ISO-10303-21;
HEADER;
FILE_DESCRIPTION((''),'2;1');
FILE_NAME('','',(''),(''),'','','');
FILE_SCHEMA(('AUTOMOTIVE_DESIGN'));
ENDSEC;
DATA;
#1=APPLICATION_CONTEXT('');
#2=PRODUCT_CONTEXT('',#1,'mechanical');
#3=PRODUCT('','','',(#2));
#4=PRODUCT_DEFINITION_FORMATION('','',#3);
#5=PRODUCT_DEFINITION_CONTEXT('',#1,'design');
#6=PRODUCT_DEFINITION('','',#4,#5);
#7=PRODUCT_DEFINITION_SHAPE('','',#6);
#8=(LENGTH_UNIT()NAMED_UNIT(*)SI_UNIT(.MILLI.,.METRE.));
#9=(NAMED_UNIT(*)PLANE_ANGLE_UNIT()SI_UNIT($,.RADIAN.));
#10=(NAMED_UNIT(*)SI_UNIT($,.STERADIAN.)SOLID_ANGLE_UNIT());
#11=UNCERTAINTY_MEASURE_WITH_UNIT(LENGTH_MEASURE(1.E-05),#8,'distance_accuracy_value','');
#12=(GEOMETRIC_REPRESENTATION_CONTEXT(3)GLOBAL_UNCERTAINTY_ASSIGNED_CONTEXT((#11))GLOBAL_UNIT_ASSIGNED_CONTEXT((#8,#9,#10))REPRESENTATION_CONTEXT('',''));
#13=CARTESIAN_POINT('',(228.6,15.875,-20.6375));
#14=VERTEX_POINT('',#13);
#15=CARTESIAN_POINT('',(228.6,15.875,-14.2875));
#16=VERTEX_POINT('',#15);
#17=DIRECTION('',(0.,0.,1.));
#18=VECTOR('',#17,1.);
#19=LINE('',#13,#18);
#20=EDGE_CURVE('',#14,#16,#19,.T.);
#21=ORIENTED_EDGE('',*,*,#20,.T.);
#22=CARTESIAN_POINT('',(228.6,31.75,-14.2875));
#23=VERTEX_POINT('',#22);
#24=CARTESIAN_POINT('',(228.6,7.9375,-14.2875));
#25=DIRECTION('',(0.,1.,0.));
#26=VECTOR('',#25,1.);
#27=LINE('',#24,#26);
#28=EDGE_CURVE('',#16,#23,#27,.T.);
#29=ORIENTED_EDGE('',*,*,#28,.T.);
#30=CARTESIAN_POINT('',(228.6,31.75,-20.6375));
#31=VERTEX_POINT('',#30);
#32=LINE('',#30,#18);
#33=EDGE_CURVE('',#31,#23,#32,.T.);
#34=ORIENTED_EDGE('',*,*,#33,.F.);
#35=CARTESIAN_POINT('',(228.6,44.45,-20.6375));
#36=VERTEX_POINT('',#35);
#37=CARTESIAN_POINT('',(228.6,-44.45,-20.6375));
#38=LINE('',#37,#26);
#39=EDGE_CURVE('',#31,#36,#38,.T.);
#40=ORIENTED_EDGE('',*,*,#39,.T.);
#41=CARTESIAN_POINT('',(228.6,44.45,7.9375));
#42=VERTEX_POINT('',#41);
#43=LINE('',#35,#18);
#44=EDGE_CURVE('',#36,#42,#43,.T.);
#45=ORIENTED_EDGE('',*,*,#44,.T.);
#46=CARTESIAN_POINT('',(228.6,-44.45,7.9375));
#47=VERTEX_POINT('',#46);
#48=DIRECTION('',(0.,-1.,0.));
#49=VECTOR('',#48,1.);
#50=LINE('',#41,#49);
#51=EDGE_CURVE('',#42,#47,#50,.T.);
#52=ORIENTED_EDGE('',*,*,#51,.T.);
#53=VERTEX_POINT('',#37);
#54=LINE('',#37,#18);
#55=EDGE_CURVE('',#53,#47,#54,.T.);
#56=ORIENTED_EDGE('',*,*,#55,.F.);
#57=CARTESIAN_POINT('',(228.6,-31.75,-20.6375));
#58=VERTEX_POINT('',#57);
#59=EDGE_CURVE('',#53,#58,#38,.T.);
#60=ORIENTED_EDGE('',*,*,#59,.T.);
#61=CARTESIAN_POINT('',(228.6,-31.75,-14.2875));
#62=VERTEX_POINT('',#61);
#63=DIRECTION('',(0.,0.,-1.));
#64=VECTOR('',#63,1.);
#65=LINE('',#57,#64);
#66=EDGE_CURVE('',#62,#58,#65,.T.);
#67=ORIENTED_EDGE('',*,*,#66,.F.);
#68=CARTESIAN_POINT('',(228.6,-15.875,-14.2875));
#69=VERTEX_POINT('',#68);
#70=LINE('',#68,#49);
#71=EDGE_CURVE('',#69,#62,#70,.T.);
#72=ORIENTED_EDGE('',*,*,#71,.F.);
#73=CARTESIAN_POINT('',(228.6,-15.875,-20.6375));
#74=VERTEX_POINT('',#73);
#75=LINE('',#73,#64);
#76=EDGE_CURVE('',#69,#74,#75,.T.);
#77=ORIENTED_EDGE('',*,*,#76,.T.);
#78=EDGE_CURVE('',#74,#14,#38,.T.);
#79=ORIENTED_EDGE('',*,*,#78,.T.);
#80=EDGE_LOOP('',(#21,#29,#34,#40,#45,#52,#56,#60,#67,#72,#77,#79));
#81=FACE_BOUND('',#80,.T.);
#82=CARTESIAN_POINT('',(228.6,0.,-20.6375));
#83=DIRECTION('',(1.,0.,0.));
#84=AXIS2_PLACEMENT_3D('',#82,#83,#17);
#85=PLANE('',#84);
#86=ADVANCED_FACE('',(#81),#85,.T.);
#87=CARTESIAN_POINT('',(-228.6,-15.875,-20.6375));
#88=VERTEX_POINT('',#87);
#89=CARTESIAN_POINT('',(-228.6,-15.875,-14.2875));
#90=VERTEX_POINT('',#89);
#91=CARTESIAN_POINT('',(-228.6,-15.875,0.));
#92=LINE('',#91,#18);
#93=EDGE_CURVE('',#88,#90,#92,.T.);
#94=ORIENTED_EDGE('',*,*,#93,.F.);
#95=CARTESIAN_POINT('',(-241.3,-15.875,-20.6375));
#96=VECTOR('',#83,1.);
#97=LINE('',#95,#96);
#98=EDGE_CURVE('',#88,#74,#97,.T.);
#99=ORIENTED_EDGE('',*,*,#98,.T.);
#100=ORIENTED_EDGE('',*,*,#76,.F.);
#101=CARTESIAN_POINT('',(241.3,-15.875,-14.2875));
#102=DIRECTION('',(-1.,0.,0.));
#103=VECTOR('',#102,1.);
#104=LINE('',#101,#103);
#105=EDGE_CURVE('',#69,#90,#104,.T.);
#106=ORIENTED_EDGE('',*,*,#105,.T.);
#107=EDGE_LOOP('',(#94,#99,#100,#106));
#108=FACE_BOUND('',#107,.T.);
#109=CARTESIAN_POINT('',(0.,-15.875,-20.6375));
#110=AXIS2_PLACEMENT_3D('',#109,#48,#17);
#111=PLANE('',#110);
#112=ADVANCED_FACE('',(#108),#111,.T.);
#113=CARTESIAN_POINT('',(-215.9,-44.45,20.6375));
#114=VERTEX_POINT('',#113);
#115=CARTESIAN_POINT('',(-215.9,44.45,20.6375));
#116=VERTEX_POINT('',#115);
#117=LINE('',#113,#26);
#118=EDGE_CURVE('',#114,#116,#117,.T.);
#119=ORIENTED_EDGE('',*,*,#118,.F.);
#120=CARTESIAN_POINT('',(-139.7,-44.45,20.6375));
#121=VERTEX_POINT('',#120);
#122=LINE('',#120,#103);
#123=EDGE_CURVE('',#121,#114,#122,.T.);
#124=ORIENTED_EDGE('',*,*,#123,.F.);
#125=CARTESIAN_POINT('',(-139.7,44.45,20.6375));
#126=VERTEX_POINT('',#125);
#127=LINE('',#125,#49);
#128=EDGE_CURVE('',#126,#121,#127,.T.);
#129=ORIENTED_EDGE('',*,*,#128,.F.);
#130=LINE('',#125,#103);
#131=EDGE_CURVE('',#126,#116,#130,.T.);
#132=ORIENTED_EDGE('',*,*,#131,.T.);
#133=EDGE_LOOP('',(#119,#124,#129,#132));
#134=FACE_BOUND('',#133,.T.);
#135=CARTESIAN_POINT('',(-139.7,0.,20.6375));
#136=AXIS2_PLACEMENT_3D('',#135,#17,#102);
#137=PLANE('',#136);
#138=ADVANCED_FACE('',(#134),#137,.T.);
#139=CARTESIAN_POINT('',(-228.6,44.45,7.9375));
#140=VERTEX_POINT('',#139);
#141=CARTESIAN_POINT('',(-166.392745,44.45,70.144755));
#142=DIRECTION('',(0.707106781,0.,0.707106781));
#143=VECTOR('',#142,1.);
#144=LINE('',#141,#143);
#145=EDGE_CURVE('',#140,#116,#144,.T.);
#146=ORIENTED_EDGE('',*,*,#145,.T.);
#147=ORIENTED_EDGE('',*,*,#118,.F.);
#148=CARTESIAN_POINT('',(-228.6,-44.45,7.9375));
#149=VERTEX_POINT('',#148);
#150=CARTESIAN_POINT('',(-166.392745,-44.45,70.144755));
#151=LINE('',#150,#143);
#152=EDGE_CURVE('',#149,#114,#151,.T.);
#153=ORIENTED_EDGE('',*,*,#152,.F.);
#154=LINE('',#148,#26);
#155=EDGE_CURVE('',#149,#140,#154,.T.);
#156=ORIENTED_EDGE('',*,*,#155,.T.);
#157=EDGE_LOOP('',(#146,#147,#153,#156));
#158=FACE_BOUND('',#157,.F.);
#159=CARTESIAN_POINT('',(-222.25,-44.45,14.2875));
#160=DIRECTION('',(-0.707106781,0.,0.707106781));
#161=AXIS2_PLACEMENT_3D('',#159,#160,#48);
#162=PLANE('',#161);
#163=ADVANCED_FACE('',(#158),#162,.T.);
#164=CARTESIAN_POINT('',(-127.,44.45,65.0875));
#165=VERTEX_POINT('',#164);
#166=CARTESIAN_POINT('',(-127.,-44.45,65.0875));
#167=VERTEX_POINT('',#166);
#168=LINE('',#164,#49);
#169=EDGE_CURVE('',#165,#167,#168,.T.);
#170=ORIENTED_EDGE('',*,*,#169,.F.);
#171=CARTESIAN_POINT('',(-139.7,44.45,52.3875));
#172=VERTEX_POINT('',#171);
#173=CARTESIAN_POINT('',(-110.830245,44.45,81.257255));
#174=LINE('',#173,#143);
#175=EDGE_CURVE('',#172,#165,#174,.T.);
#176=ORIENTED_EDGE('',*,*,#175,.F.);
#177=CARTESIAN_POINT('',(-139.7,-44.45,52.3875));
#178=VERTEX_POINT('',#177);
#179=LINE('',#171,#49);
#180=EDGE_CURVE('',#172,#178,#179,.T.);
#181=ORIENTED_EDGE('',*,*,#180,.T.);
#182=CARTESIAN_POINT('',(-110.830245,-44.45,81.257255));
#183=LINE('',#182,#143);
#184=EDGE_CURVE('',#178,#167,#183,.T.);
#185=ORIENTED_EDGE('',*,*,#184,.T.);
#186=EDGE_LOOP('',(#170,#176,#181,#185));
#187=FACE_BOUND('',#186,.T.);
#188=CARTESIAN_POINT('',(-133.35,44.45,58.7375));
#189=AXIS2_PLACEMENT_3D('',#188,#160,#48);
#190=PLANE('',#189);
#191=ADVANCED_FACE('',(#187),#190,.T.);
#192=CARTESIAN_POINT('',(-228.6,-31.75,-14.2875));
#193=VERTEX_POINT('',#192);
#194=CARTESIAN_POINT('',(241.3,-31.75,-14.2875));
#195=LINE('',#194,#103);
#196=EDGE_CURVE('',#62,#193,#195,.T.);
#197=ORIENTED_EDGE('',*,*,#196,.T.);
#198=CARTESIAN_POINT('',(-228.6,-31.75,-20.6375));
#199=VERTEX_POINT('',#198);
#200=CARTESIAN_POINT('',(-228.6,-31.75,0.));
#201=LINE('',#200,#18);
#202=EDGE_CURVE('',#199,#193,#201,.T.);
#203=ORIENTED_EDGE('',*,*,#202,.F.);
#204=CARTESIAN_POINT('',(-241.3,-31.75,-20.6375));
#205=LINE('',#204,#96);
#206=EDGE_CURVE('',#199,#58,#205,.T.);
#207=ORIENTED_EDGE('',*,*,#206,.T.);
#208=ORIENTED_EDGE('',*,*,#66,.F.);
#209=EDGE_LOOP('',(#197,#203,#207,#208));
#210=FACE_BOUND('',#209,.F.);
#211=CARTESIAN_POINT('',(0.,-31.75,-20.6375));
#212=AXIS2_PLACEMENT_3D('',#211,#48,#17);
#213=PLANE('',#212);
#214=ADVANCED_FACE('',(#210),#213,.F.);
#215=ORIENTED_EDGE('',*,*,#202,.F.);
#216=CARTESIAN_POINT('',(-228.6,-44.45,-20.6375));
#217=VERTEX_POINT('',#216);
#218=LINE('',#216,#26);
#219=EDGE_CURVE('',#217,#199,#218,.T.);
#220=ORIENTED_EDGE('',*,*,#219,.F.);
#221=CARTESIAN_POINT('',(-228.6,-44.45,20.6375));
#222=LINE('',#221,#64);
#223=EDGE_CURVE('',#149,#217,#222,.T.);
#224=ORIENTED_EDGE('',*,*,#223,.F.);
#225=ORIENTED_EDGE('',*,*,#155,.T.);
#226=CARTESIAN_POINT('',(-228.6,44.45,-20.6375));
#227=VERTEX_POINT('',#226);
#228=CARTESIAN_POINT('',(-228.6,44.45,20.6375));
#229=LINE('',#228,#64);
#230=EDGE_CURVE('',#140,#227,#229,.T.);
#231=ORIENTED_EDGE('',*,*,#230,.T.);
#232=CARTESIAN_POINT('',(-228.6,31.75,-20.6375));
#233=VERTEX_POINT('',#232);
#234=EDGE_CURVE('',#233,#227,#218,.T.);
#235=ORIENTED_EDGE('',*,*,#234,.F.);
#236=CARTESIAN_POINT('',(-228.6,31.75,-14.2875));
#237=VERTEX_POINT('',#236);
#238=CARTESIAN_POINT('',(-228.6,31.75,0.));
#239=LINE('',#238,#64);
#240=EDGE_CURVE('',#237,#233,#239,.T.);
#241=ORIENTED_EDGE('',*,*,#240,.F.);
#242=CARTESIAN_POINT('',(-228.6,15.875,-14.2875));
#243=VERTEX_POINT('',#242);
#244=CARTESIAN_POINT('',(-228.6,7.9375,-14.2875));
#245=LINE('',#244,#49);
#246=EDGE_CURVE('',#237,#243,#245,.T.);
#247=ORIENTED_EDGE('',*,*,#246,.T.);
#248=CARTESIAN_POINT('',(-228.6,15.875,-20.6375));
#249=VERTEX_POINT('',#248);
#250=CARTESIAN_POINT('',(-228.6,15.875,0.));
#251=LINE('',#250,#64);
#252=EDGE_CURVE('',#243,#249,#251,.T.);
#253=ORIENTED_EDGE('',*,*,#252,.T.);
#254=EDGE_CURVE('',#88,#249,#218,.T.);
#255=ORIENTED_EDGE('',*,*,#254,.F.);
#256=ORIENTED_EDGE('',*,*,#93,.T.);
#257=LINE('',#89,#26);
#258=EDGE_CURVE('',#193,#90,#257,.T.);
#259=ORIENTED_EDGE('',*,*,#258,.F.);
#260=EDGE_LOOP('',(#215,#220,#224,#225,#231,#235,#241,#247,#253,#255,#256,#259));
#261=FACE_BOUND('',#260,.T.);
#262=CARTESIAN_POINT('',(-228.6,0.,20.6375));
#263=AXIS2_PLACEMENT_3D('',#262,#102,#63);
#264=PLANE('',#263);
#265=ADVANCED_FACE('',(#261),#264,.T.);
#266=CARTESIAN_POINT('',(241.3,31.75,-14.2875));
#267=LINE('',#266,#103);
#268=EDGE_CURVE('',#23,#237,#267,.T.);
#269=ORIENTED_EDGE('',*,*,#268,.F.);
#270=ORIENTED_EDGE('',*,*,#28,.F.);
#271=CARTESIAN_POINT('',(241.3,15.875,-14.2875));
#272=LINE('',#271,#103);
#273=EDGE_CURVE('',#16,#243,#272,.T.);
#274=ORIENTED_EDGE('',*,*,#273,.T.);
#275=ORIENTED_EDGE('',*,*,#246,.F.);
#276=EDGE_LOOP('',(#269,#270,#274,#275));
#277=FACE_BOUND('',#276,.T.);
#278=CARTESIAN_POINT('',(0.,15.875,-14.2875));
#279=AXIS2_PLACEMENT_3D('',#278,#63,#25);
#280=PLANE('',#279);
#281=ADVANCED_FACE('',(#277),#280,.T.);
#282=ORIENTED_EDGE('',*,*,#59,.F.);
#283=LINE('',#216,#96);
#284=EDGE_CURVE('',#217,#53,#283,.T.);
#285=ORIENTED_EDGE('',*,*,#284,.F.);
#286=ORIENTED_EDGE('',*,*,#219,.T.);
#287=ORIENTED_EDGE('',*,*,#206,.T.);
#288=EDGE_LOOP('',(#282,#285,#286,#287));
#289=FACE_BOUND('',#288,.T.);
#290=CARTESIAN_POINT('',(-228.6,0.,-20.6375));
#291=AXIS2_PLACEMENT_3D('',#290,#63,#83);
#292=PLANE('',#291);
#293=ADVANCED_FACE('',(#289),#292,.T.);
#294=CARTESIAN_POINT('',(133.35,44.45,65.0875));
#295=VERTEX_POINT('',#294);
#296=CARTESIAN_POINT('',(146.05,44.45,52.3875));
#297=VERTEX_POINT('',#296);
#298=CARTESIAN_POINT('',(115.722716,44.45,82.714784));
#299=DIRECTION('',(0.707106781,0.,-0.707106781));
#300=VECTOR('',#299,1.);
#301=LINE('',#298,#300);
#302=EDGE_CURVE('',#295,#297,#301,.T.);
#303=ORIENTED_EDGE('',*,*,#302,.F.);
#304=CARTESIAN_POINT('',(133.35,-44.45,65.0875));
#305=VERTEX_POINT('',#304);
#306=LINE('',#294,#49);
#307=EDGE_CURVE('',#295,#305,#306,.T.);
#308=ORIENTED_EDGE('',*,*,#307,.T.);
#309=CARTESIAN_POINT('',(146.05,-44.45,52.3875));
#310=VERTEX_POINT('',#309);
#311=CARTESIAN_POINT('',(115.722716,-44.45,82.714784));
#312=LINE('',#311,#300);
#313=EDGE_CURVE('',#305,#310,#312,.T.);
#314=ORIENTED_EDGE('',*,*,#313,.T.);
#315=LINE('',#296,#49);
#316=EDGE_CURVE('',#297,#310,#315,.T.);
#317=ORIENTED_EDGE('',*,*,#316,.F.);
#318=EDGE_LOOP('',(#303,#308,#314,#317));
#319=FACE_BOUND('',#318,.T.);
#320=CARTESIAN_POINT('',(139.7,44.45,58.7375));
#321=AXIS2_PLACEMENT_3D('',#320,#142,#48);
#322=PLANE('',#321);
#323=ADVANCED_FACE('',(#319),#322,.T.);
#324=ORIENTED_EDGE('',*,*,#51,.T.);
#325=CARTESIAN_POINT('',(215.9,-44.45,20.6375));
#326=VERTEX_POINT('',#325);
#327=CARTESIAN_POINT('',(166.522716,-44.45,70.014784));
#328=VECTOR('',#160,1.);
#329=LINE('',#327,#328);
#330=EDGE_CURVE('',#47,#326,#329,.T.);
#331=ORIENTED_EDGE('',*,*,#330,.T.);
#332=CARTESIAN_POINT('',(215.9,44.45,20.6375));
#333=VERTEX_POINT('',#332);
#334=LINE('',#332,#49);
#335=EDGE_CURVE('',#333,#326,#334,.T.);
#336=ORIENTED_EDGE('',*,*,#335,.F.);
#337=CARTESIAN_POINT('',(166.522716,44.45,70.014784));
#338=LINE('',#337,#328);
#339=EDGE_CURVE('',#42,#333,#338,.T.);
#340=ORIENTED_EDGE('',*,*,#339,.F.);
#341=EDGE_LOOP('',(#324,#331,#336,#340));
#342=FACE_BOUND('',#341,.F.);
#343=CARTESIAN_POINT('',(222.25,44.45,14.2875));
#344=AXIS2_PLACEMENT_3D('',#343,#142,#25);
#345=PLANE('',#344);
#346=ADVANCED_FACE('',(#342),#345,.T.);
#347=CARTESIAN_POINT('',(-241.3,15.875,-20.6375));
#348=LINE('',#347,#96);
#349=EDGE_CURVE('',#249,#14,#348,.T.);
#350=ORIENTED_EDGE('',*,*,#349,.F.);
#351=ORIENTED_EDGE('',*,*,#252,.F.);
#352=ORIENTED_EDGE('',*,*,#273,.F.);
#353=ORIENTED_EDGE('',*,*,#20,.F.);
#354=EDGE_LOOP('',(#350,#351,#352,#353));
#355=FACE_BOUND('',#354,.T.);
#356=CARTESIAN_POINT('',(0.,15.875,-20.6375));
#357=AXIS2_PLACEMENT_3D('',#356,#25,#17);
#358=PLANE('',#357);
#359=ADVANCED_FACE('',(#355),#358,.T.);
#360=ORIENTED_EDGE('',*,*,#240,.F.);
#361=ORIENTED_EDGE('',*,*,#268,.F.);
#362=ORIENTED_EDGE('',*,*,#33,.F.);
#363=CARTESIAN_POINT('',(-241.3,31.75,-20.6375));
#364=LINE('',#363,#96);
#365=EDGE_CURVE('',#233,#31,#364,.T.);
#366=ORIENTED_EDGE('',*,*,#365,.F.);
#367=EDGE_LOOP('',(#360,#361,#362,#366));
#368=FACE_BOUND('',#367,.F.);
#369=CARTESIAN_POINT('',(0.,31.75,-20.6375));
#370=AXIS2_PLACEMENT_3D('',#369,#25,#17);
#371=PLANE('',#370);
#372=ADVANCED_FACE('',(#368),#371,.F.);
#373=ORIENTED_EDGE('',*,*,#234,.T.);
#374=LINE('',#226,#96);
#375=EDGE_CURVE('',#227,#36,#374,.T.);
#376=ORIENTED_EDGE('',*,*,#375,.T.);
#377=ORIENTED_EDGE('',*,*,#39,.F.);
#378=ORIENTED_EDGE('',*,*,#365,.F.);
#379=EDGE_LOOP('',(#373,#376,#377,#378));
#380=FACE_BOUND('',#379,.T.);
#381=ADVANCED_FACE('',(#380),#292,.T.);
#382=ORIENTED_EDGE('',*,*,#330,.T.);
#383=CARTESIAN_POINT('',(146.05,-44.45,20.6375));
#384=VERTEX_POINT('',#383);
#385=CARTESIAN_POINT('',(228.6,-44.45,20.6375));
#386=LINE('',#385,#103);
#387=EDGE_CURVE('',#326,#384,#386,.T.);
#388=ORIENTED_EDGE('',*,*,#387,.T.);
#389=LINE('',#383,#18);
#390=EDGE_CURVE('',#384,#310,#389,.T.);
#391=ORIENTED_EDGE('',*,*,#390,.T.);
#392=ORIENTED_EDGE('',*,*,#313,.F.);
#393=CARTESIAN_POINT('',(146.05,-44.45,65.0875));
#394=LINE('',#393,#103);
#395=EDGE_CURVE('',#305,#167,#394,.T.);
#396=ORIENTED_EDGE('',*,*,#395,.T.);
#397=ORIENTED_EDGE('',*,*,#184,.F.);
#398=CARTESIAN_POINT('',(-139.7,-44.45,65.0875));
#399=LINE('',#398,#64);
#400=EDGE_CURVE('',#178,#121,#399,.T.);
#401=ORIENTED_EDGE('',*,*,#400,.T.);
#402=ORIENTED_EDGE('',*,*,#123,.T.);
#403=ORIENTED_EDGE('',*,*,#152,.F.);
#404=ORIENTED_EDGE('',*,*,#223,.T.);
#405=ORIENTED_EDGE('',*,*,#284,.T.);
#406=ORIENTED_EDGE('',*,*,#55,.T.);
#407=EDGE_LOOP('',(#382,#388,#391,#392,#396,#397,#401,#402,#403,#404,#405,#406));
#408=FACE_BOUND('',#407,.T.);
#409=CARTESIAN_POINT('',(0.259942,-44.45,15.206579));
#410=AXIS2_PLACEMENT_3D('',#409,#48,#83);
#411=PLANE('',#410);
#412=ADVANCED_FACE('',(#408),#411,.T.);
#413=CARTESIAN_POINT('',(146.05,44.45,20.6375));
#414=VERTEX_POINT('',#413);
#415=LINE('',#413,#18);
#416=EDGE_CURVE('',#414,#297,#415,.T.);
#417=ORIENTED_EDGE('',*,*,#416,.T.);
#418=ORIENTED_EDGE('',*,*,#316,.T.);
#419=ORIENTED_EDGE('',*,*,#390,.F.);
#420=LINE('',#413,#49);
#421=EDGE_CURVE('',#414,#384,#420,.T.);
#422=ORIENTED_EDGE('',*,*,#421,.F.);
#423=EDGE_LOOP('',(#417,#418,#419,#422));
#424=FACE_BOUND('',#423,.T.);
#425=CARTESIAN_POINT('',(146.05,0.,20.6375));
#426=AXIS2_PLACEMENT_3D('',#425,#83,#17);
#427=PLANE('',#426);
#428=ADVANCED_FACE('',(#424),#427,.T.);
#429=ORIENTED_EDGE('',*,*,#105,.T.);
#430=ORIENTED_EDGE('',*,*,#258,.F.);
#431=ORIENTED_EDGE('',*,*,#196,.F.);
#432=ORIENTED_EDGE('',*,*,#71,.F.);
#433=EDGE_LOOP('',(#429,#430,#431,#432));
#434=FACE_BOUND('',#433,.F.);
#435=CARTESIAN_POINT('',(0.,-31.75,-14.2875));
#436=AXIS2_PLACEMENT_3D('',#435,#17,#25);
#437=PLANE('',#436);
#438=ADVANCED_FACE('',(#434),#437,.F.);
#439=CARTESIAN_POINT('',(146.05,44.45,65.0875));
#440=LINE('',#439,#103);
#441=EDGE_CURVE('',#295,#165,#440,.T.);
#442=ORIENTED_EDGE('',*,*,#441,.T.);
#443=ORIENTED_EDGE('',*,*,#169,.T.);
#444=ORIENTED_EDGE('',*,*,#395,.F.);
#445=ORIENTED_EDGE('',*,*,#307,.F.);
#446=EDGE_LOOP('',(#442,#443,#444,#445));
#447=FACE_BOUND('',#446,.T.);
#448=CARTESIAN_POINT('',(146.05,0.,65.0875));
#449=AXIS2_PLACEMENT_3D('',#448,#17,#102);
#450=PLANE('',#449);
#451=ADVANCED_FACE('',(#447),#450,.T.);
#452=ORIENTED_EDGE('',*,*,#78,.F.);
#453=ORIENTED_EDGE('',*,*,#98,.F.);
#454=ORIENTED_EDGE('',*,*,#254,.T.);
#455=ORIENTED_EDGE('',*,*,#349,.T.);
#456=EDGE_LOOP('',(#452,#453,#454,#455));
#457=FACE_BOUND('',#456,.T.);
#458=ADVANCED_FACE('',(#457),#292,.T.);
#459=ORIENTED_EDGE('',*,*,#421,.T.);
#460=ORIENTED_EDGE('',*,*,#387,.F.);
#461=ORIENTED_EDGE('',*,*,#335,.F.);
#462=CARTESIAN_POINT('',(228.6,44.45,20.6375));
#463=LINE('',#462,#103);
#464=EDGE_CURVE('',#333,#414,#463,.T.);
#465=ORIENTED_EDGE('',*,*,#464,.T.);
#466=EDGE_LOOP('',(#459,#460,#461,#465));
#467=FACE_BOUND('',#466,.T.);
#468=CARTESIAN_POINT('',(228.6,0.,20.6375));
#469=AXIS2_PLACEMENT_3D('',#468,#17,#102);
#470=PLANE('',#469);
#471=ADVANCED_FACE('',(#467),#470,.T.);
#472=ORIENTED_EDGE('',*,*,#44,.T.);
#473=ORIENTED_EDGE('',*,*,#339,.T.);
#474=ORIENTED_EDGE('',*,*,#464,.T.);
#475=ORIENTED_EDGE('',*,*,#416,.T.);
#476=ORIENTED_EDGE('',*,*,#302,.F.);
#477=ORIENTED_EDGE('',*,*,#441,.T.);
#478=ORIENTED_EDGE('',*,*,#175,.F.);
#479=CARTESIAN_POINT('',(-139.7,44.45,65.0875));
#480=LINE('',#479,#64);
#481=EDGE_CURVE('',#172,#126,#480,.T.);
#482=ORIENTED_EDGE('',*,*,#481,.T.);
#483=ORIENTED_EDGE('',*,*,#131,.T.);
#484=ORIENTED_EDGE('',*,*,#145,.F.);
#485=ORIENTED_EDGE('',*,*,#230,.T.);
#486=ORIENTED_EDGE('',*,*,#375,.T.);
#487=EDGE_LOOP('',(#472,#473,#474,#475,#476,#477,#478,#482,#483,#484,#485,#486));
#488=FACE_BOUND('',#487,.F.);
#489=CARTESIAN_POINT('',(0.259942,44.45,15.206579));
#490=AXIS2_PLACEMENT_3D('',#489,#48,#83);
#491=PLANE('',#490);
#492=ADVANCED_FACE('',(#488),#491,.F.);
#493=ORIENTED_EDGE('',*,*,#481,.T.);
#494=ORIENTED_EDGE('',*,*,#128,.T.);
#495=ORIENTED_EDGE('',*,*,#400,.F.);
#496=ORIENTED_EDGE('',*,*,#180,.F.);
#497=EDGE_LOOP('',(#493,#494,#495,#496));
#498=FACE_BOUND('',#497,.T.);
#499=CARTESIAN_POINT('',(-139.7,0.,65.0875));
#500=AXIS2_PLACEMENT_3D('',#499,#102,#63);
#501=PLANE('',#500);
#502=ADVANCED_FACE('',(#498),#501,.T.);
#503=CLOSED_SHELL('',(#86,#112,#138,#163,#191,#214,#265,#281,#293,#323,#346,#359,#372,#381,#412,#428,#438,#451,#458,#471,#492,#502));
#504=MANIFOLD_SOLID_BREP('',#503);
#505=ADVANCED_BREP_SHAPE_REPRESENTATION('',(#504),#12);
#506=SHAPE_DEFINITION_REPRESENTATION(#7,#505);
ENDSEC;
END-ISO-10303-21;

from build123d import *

# Parameters (mm, degrees)
F1_DEPTH = 44.45
F2_SIZE  = 12.7
F3_W     = 15.875
F3_H     = 6.35
F4_DEPTH = 241.3


with BuildPart() as f1:
    # F0 (on Front) → F1 (new body, symmetric)
    with BuildSketch(Plane.XZ):
        Polygon((228.6, -20.6375), (228.6, 20.6375), (146.05, 20.6375), (146.05, 65.0875), (-139.7, 65.0875), (-139.7, 20.6375), (-228.6, 20.6375), (-228.6, -20.6375), align=None)
    extrude(amount=F1_DEPTH, both=True)

    # F2
    f2_edges = [f1.edges().sort_by_distance(p)[0] for p in [
        (146.05, 0, 65.0875),
        (-139.7, 0, 65.0875),
        (-228.6, 0, 20.6375),
        (228.6, 0, 20.6375),
    ]]
    chamfer(f2_edges, length=F2_SIZE)

    # F3 (on Right) → F4 (cut, symmetric)
    with BuildSketch(Plane.YZ):
        with Locations((-23.8125, -17.4625)):
            Rectangle(F3_W, F3_H)
        with Locations((23.8125, -17.4625)):
            Rectangle(F3_W, F3_H)
    extrude(amount=F4_DEPTH, both=True, mode=Mode.SUBTRACT)


solid = f1.part
